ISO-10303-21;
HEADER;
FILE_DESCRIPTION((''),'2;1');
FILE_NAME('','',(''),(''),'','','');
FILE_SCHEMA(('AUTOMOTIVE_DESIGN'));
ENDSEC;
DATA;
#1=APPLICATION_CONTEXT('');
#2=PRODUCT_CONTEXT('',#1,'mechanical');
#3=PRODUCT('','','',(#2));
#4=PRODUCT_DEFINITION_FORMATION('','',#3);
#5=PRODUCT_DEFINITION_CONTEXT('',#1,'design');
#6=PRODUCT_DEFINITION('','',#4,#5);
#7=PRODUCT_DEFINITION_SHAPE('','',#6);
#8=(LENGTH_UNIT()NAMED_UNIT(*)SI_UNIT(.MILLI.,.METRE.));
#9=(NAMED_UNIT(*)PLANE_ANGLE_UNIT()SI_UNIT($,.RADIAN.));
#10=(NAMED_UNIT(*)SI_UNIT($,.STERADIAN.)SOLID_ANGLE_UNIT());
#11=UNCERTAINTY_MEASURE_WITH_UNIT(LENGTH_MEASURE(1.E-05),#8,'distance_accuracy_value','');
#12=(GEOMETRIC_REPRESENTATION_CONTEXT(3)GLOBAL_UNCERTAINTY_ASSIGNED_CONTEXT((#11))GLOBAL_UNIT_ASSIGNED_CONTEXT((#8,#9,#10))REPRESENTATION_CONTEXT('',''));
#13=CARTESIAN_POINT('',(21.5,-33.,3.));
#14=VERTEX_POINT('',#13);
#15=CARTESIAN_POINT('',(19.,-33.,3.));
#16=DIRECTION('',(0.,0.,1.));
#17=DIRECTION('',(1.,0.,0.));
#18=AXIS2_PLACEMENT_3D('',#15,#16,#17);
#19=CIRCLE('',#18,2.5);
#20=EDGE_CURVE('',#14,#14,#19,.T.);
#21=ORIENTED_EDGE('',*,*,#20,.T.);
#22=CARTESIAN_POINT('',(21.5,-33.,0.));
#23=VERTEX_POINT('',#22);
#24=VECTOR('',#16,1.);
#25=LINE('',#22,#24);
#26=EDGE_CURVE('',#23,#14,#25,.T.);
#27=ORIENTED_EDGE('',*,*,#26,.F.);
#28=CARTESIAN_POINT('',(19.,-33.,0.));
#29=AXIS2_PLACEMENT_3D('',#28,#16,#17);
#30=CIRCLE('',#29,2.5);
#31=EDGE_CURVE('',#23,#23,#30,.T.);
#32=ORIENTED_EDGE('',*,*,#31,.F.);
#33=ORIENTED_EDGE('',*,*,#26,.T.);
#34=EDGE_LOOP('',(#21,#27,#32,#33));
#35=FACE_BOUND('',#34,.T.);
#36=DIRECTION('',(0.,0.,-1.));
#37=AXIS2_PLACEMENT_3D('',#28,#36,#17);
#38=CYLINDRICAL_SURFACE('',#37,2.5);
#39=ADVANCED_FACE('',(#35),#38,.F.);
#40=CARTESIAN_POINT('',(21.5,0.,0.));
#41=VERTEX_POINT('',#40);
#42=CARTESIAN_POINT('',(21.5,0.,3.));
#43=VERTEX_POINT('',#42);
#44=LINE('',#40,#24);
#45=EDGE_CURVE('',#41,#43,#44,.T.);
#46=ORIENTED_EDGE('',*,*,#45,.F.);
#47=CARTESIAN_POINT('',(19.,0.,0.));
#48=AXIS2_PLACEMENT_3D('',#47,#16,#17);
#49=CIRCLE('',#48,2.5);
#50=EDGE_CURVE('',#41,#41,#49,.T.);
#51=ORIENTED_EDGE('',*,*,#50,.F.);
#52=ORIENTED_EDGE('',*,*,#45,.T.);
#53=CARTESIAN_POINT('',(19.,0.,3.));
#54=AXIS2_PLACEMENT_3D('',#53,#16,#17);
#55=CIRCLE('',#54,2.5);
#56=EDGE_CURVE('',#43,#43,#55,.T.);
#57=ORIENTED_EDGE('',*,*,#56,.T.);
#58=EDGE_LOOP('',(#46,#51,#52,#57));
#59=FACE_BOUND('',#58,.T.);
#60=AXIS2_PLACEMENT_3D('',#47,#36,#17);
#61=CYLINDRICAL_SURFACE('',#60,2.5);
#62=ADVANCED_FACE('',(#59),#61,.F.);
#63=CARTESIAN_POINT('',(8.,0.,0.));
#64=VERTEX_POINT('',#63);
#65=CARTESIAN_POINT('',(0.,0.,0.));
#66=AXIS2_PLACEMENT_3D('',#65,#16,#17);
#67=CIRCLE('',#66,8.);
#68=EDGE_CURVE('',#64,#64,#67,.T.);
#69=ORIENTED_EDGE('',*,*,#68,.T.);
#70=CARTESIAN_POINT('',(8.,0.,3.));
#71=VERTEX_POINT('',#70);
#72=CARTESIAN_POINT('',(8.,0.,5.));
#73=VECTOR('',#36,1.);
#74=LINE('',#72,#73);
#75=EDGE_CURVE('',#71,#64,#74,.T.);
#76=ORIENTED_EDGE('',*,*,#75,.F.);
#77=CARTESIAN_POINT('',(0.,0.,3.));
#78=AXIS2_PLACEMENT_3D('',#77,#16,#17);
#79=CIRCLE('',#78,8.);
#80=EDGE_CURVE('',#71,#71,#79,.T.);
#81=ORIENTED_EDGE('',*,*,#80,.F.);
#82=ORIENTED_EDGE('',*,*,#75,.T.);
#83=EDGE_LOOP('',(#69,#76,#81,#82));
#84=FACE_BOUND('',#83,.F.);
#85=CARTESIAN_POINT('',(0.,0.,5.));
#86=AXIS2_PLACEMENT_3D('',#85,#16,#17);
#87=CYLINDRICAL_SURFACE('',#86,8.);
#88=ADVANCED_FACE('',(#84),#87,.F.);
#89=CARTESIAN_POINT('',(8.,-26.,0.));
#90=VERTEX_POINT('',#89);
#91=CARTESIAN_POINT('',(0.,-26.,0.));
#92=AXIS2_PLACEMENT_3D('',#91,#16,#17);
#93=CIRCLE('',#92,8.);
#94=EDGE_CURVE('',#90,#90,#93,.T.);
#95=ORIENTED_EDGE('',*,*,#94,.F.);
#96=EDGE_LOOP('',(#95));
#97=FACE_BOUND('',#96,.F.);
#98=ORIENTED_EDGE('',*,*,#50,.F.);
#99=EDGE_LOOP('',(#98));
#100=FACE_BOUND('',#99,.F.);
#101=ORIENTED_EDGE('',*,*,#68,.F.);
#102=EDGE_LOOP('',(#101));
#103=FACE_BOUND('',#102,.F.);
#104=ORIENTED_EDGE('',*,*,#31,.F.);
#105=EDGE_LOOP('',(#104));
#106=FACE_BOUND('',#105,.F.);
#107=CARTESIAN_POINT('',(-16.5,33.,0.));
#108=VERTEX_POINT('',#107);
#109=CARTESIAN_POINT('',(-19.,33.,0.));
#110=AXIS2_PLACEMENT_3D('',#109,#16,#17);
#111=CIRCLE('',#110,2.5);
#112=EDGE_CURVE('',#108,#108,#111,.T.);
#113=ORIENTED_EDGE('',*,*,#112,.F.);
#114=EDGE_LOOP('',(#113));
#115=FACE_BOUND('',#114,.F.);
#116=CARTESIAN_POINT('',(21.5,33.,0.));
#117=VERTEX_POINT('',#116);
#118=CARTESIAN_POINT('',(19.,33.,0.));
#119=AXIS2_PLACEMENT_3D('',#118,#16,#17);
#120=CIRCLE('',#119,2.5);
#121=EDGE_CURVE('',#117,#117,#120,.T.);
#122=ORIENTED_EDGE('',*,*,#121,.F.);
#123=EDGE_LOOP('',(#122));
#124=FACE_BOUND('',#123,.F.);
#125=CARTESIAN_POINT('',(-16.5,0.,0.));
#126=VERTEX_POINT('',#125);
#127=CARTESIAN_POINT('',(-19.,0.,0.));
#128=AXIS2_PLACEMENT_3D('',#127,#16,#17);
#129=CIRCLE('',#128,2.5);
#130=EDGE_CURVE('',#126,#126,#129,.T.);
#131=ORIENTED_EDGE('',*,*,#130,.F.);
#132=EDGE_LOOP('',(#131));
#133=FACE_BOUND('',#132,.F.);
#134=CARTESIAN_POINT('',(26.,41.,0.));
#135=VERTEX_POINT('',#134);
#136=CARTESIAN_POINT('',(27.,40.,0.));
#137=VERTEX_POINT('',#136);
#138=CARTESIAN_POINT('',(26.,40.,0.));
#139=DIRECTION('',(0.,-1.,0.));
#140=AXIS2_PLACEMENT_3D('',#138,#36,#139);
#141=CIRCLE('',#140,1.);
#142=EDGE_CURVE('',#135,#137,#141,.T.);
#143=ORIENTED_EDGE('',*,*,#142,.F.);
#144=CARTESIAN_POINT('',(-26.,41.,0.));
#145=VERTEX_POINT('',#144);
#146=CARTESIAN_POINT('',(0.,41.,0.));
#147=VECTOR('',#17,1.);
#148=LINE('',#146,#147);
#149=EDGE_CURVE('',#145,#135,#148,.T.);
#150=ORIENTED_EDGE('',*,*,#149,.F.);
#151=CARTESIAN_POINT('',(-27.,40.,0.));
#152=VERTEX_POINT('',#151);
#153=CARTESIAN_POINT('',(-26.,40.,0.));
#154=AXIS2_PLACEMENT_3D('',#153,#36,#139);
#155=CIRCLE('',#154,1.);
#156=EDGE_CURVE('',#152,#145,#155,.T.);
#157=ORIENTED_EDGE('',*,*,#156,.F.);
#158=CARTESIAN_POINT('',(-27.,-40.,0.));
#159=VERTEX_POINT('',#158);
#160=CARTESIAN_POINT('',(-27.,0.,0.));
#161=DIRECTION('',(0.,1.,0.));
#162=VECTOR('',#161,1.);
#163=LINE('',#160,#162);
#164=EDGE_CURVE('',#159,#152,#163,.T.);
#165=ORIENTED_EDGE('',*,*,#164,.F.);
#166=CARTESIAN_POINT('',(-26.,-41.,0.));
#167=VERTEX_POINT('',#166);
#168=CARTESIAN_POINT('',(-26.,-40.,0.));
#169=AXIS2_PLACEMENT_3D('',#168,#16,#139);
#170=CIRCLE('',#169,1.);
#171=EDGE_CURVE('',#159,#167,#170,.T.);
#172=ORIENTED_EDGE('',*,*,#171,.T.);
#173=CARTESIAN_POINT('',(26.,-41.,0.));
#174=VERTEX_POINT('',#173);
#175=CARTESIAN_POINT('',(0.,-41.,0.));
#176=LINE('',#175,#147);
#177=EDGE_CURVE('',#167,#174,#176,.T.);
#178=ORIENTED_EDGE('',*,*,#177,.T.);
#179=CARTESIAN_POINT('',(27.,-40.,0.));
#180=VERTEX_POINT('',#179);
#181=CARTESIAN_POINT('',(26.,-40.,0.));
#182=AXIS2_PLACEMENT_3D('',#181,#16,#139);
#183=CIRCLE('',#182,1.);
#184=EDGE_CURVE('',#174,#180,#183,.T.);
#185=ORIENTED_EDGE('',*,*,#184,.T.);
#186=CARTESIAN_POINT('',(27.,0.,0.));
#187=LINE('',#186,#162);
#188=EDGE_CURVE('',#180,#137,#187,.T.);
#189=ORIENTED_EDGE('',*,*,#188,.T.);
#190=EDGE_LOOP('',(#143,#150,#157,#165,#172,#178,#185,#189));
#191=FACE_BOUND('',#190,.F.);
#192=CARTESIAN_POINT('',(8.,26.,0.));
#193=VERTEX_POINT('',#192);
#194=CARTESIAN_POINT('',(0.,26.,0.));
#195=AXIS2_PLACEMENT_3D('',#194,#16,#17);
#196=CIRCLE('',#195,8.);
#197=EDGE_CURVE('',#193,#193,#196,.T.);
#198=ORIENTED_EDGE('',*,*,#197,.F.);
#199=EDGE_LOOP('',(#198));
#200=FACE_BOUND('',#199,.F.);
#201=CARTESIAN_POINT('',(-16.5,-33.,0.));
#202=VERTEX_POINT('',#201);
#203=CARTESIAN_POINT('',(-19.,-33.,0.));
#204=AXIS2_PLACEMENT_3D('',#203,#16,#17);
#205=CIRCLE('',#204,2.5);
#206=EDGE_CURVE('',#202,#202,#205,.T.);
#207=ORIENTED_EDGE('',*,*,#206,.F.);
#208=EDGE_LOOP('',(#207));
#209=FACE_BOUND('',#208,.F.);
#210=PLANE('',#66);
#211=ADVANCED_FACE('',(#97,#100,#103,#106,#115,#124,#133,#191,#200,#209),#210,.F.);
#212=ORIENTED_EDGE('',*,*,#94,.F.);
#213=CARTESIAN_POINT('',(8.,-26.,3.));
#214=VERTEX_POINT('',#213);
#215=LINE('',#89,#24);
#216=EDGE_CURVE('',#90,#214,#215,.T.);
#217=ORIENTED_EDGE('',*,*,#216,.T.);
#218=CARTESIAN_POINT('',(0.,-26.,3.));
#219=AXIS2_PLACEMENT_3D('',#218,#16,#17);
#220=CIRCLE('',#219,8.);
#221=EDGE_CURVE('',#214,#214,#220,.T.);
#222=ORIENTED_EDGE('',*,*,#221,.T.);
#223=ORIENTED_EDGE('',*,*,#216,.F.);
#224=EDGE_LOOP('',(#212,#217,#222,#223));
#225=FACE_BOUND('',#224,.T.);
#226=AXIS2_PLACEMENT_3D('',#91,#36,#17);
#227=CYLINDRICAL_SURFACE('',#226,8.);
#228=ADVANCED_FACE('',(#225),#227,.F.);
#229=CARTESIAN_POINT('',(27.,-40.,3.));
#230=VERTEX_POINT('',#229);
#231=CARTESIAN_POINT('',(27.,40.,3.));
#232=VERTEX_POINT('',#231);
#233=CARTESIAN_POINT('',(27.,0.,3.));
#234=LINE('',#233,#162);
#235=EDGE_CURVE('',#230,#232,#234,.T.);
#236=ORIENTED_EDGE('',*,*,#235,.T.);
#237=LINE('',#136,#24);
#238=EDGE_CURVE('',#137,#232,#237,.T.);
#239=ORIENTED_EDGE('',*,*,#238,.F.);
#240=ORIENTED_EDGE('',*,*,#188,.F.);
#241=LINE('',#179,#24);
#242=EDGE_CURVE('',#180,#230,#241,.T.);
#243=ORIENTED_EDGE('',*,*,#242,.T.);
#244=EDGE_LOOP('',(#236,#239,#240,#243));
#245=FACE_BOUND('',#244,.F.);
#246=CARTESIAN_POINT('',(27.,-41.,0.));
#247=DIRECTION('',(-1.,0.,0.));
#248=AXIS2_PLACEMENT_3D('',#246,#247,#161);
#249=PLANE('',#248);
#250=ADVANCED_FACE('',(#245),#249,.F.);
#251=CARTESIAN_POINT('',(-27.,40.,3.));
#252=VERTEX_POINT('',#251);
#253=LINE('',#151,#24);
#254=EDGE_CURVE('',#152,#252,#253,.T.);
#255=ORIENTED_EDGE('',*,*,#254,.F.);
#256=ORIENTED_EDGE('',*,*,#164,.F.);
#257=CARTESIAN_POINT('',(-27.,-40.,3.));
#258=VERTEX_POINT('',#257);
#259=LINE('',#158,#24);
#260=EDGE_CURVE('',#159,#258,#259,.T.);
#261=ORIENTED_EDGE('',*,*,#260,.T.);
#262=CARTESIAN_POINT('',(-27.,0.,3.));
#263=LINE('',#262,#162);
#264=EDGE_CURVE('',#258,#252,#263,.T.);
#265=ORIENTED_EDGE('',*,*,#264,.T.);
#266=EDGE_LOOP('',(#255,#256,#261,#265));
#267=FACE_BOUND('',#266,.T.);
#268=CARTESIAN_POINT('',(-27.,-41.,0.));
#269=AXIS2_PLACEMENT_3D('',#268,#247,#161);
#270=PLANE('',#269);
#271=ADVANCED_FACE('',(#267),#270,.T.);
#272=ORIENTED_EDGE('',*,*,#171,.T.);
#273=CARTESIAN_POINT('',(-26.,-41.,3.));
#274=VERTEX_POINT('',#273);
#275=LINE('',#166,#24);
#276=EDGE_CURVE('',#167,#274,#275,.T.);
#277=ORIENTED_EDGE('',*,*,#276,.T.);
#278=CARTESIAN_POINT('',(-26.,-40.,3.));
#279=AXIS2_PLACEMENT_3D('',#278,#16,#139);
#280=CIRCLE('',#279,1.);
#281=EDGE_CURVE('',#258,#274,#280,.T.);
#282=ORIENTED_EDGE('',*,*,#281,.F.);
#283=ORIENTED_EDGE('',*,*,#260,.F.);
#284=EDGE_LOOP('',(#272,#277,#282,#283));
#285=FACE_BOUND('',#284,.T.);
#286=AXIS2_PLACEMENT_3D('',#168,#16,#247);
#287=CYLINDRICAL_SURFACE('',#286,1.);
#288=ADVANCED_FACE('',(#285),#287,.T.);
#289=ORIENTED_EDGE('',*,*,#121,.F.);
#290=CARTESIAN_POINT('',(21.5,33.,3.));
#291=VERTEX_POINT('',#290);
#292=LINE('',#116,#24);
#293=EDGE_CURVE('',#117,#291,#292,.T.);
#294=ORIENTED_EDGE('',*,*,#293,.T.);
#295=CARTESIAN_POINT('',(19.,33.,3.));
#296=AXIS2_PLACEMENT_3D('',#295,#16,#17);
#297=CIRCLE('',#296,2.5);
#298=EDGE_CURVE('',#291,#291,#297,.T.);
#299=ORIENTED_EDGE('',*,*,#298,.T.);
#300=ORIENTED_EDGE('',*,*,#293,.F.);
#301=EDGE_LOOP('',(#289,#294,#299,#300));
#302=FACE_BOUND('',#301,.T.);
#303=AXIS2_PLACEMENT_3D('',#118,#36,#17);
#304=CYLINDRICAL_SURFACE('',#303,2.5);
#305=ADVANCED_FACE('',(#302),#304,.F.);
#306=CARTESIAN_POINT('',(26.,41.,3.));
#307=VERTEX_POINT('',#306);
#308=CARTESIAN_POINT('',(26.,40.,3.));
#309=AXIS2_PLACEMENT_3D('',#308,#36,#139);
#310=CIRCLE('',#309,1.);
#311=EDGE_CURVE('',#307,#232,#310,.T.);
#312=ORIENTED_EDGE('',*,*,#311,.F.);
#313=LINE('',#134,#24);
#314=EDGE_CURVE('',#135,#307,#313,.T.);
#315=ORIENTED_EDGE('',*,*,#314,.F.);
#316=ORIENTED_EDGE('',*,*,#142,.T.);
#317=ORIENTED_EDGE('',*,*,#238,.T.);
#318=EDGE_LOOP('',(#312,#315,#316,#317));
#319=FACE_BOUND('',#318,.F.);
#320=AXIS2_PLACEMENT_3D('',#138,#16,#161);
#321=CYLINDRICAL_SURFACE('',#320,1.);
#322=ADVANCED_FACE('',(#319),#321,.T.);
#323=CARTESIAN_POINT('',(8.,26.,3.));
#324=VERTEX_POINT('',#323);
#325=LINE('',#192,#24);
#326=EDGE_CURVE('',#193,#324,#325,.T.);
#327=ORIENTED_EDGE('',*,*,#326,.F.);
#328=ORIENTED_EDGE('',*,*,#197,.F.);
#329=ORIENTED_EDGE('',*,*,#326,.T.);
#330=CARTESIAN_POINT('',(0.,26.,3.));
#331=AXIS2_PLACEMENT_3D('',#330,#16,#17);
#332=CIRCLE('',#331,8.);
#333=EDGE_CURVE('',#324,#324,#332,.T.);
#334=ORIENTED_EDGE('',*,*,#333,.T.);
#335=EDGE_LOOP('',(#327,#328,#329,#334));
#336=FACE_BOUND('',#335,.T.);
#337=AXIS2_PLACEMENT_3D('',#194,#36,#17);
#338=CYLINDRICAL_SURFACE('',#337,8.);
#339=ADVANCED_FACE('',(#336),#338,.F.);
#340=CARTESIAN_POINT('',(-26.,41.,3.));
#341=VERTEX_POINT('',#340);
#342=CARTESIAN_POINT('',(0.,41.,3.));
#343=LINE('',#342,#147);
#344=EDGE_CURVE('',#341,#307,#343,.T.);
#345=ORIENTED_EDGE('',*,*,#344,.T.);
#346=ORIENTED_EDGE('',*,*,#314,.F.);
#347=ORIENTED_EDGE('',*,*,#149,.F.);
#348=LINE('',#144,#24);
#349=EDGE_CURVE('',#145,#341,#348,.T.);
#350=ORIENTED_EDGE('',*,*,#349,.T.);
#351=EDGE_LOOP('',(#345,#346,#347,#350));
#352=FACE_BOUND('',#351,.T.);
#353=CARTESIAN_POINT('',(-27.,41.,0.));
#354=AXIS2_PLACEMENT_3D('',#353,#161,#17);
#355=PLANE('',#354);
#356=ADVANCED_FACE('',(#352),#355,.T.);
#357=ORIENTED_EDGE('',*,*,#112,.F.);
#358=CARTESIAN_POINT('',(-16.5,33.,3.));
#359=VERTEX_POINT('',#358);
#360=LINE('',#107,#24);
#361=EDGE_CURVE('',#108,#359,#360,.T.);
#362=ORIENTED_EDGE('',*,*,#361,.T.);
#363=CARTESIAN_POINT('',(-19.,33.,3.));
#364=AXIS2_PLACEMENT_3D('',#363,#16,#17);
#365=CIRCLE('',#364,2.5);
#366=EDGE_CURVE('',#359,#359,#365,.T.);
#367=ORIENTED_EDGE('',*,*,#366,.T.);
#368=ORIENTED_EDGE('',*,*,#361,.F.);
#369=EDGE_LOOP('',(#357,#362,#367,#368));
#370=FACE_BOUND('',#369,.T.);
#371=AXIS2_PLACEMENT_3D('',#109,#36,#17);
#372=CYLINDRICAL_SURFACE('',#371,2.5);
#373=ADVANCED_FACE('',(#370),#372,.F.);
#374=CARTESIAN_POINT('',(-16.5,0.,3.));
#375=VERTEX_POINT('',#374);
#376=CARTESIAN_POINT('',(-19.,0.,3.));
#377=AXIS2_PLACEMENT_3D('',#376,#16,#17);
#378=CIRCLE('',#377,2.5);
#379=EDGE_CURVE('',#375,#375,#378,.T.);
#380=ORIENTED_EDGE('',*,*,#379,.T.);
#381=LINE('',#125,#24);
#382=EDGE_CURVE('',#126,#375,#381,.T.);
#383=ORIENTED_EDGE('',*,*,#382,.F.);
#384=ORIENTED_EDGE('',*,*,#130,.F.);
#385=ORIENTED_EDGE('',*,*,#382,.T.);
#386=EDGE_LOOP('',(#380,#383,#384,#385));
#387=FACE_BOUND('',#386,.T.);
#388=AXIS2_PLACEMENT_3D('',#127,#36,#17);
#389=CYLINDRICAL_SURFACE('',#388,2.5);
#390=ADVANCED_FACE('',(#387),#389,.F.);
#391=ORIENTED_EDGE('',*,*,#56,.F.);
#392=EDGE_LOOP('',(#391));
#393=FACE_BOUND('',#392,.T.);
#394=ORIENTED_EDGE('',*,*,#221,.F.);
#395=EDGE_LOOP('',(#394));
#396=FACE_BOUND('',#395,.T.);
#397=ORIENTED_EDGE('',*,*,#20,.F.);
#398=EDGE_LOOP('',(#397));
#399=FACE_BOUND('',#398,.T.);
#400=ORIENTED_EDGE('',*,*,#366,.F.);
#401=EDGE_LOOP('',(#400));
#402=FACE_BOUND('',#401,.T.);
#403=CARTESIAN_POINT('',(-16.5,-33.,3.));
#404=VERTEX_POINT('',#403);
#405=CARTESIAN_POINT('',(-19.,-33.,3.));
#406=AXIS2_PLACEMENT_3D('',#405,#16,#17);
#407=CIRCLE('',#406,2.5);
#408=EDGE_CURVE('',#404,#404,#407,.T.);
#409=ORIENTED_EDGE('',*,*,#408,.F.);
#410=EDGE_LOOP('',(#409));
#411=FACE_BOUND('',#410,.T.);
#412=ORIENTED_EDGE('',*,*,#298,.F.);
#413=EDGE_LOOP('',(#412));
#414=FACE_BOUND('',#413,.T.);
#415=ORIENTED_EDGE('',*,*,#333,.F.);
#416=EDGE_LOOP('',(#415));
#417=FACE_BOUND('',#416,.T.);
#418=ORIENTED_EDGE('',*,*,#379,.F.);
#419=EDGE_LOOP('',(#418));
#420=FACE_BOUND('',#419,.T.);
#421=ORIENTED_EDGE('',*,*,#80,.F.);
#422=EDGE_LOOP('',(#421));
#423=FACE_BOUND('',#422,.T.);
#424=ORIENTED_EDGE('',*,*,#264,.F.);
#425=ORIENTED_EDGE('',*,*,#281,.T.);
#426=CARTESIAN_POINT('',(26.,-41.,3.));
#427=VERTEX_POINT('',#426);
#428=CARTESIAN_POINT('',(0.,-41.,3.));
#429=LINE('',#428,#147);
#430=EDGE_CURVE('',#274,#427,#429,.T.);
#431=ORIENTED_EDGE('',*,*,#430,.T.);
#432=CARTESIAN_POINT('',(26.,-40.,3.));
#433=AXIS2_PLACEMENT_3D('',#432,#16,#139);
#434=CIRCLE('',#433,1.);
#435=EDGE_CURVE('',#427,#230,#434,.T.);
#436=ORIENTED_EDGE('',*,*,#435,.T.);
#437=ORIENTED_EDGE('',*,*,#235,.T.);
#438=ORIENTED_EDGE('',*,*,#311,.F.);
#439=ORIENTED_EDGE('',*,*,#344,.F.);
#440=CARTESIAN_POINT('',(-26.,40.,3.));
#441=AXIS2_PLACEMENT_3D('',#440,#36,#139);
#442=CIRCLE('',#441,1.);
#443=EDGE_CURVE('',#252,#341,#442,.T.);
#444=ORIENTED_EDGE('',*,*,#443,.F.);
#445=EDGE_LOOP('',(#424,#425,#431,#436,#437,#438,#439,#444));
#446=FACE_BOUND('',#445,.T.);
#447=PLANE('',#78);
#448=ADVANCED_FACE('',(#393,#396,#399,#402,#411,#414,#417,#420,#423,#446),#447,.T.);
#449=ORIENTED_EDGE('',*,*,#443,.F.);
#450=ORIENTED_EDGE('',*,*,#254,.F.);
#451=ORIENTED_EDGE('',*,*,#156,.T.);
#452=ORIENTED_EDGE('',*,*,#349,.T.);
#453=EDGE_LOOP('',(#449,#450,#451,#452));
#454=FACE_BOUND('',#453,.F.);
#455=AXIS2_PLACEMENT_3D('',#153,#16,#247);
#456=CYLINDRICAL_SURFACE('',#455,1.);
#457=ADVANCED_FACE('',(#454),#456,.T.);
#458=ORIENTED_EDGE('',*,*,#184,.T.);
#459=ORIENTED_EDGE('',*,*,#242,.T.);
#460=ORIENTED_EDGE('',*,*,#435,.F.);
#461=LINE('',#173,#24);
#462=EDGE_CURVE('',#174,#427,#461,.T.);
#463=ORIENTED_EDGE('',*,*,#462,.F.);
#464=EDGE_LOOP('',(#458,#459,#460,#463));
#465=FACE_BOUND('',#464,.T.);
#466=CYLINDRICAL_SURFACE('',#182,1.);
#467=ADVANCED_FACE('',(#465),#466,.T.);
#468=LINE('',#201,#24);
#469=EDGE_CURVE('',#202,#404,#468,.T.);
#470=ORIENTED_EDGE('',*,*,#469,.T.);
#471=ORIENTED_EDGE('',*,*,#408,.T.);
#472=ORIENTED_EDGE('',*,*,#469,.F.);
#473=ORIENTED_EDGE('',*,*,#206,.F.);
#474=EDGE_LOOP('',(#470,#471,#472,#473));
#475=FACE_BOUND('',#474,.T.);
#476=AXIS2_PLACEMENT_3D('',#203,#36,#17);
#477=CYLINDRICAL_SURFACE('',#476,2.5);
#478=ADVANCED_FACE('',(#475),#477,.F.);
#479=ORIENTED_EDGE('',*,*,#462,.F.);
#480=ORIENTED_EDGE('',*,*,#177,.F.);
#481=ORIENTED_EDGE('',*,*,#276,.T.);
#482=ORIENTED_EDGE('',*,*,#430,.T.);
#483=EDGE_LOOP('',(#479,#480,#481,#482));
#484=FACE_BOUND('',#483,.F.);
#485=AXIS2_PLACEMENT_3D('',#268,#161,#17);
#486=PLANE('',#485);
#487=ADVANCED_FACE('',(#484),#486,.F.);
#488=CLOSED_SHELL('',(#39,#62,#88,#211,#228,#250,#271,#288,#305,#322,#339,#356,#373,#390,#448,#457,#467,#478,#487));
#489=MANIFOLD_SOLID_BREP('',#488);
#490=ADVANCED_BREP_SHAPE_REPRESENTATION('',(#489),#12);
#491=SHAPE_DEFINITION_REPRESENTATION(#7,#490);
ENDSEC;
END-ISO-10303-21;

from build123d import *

# Parameters (mm, degrees)
F0_W     = 54
F0_H     = 82
F0_R     = 2.5
F0_R_2   = 8
F1_DEPTH = 5
F2_R     = 1
F3_R     = 8
F4_DEPTH = 25
F5_DEPTH = 2


with BuildPart() as f1:
    # F0 (on Top) → F1 (new body)
    with BuildSketch(Plane.XY):
        Rectangle(F0_W, F0_H)
        with Locations((-19, -33)):
            Circle(F0_R, mode=Mode.SUBTRACT)
        with Locations((0, -26)):
            Circle(F0_R_2, mode=Mode.SUBTRACT)
        with Locations((19, -33)):
            Circle(F0_R, mode=Mode.SUBTRACT)
        with Locations((-19, 0)):
            Circle(F0_R, mode=Mode.SUBTRACT)
        with Locations((-19, 33)):
            Circle(F0_R, mode=Mode.SUBTRACT)
        with Locations((19, 0)):
            Circle(F0_R, mode=Mode.SUBTRACT)
        with Locations((0, 26)):
            Circle(F0_R_2, mode=Mode.SUBTRACT)
        with Locations((19, 33)):
            Circle(F0_R, mode=Mode.SUBTRACT)
    extrude(amount=F1_DEPTH)

    # F2
    f2_edges = [f1.edges().sort_by_distance(p)[0] for p in [
        (27, -41, 2.5),
        (-27, -41, 2.5),
        (-27, 41, 2.5),
        (27, 41, 2.5),
    ]]
    fillet(f2_edges, radius=F2_R)

    # F3 (on face) → F4 (cut)
    with BuildSketch(Plane.XY.offset(5)):
        Circle(F3_R)
    extrude(amount=-F4_DEPTH, mode=Mode.SUBTRACT)

    # F5 (cut): a face of the model
    f5_faces = [f1.faces().sort_by_distance(p)[0] for p in [
        (26.0181649833, 0, 5),
    ]]
    extrude(f5_faces, amount=-F5_DEPTH, mode=Mode.SUBTRACT)


solid = f1.part
